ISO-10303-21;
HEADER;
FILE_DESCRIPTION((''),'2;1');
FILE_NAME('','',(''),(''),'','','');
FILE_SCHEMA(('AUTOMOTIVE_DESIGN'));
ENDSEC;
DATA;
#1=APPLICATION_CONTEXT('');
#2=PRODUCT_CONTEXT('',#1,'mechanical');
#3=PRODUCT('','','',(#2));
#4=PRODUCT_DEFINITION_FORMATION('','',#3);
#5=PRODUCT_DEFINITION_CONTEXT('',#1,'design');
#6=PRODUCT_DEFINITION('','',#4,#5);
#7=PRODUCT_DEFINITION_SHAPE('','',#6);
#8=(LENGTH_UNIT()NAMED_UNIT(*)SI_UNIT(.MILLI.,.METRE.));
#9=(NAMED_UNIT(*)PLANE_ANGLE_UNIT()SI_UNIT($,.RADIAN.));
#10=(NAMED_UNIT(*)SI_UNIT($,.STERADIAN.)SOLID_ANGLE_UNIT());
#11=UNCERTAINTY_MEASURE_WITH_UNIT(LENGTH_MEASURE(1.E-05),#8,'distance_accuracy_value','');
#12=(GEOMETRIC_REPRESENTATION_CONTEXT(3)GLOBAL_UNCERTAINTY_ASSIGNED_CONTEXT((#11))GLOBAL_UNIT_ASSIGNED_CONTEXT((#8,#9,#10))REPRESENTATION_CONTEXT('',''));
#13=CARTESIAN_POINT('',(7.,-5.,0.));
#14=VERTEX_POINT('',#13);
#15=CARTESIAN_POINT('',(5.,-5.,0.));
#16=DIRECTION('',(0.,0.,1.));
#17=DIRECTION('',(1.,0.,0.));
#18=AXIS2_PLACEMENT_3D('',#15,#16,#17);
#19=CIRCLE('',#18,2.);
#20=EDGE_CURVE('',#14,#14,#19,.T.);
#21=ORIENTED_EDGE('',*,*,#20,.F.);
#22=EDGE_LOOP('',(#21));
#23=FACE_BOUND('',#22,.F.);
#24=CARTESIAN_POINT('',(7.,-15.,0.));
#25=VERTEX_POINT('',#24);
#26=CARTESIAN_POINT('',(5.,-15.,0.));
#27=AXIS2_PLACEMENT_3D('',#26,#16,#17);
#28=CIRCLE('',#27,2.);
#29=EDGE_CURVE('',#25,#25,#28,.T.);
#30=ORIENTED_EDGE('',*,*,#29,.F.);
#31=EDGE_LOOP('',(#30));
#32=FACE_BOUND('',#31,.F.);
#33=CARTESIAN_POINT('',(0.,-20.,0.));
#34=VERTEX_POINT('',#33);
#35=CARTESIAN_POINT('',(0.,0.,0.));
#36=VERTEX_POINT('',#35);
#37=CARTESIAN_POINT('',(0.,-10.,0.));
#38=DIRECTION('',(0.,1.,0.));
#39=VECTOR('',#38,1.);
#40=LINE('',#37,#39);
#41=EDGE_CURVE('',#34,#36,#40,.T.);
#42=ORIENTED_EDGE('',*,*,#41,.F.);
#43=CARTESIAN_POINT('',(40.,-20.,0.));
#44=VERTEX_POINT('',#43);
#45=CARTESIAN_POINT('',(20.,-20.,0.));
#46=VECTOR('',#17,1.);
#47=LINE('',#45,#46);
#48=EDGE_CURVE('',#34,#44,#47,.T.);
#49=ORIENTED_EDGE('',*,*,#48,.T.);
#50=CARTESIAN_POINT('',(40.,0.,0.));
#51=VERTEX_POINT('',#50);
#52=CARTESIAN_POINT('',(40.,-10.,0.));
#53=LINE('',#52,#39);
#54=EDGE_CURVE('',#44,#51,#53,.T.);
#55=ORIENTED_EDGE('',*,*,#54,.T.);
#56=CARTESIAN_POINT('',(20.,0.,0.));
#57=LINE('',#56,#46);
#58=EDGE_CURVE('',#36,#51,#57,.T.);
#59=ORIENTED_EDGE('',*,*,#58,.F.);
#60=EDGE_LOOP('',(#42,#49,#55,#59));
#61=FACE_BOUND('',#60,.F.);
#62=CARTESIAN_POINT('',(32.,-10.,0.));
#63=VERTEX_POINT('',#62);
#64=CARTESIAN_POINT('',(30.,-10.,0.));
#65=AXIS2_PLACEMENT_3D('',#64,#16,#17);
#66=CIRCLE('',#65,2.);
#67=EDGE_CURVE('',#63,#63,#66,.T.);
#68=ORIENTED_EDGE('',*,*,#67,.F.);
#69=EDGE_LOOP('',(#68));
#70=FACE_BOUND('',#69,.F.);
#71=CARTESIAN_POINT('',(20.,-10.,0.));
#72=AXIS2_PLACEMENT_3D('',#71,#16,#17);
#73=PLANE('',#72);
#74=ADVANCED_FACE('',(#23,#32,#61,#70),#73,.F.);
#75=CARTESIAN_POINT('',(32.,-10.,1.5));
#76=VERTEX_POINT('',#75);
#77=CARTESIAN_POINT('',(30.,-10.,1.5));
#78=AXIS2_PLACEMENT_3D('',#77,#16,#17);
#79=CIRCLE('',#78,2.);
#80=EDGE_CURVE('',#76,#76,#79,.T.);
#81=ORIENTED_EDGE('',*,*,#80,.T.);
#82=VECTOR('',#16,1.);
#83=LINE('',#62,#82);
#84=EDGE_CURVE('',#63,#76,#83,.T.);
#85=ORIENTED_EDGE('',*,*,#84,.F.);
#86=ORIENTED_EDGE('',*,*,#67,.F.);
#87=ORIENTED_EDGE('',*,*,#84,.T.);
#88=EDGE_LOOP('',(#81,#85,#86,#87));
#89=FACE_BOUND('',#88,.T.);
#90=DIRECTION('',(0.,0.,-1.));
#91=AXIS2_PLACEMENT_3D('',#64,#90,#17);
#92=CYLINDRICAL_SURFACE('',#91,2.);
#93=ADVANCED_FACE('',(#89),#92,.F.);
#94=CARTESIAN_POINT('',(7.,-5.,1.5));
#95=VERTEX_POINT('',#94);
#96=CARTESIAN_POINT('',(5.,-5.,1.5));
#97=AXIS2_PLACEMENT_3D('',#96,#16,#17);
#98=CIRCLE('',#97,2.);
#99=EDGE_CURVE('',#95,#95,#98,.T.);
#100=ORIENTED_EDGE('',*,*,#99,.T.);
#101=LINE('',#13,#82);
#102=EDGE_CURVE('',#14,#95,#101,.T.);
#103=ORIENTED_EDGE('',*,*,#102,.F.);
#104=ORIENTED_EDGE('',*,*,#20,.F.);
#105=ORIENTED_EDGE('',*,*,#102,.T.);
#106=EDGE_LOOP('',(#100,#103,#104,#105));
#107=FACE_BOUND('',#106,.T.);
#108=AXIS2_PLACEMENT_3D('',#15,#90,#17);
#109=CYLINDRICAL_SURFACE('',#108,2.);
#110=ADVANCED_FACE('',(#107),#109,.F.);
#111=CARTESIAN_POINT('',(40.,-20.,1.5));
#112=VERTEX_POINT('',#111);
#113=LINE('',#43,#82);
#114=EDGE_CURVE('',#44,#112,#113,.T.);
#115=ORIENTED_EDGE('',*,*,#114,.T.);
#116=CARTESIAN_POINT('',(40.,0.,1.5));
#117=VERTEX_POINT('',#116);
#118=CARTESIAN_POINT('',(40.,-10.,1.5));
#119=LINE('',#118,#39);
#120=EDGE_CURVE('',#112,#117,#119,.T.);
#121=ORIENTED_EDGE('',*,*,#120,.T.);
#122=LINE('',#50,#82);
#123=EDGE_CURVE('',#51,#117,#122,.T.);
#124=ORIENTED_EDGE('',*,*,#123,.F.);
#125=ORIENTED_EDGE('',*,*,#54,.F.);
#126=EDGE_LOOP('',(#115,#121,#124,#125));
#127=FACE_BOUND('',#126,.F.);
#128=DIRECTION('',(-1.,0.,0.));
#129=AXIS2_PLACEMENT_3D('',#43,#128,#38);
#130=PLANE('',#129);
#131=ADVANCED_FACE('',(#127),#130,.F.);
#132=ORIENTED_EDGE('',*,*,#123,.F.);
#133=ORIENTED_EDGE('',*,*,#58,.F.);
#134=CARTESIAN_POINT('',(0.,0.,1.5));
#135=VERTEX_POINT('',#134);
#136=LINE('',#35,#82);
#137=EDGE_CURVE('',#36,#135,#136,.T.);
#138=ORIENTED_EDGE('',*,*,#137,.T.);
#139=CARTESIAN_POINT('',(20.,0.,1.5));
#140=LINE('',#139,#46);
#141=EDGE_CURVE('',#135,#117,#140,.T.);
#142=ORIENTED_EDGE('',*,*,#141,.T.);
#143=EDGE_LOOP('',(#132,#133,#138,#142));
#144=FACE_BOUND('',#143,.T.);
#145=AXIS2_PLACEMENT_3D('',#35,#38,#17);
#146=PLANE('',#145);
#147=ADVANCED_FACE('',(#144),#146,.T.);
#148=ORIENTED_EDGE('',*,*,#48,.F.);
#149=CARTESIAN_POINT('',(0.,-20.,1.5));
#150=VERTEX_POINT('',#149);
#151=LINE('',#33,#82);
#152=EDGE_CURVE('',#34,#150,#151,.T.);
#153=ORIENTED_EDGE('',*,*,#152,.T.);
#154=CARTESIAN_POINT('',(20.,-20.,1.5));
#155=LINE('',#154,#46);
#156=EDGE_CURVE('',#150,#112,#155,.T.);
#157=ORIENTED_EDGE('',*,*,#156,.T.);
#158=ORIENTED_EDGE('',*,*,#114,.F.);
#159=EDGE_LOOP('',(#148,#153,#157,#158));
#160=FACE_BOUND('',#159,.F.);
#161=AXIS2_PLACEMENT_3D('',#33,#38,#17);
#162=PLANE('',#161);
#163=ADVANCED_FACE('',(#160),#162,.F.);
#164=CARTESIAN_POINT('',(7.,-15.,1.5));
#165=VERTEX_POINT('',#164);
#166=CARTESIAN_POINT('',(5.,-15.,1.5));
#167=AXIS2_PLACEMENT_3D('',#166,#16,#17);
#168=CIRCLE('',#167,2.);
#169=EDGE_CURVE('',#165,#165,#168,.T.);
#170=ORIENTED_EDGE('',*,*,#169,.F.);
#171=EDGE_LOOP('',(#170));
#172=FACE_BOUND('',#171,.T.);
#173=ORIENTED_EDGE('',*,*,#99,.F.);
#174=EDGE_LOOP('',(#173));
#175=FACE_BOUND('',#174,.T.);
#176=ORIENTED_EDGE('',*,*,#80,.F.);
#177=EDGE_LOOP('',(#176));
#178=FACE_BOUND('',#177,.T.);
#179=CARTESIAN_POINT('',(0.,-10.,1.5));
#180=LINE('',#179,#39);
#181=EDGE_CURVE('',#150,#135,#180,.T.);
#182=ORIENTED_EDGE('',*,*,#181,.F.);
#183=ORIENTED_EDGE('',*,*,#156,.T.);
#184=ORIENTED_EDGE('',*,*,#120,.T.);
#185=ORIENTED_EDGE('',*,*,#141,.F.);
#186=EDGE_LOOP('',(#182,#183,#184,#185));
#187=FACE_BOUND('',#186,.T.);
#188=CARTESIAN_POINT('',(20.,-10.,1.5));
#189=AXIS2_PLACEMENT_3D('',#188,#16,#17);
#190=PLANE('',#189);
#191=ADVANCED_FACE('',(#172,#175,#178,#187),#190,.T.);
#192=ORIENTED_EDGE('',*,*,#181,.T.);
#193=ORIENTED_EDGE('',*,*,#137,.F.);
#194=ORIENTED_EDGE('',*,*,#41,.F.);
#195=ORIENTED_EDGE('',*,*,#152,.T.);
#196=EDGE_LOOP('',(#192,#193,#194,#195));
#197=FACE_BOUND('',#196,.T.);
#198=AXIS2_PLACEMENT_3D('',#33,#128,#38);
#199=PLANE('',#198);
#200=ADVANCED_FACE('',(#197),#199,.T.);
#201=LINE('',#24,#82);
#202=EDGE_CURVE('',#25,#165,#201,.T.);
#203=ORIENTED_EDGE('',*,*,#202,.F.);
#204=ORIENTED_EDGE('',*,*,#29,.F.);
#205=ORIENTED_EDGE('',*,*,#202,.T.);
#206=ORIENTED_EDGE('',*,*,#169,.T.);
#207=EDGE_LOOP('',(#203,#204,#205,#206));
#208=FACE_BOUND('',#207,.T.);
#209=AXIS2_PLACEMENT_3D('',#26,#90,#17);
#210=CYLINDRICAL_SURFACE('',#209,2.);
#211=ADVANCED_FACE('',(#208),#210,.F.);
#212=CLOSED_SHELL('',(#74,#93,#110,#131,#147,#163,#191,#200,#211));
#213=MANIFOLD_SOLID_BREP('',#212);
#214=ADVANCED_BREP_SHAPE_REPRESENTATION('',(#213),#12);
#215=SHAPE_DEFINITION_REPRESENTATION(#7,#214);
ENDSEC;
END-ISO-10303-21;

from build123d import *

# Parameters (mm, degrees)
F0_W     = 40
F0_H     = 20
F0_R     = 2
F1_DEPTH = 1.5


with BuildPart() as f1:
    # F0 (on Top) → F1 (new body)
    with BuildSketch(Plane.XY):
        with Locations((20, -10)):
            Rectangle(F0_W, F0_H)
        with Locations((5, -15)):
            Circle(F0_R, mode=Mode.SUBTRACT)
        with Locations((5, -5)):
            Circle(F0_R, mode=Mode.SUBTRACT)
        with Locations((30, -10)):
            Circle(F0_R, mode=Mode.SUBTRACT)
    extrude(amount=F1_DEPTH)


solid = f1.part
